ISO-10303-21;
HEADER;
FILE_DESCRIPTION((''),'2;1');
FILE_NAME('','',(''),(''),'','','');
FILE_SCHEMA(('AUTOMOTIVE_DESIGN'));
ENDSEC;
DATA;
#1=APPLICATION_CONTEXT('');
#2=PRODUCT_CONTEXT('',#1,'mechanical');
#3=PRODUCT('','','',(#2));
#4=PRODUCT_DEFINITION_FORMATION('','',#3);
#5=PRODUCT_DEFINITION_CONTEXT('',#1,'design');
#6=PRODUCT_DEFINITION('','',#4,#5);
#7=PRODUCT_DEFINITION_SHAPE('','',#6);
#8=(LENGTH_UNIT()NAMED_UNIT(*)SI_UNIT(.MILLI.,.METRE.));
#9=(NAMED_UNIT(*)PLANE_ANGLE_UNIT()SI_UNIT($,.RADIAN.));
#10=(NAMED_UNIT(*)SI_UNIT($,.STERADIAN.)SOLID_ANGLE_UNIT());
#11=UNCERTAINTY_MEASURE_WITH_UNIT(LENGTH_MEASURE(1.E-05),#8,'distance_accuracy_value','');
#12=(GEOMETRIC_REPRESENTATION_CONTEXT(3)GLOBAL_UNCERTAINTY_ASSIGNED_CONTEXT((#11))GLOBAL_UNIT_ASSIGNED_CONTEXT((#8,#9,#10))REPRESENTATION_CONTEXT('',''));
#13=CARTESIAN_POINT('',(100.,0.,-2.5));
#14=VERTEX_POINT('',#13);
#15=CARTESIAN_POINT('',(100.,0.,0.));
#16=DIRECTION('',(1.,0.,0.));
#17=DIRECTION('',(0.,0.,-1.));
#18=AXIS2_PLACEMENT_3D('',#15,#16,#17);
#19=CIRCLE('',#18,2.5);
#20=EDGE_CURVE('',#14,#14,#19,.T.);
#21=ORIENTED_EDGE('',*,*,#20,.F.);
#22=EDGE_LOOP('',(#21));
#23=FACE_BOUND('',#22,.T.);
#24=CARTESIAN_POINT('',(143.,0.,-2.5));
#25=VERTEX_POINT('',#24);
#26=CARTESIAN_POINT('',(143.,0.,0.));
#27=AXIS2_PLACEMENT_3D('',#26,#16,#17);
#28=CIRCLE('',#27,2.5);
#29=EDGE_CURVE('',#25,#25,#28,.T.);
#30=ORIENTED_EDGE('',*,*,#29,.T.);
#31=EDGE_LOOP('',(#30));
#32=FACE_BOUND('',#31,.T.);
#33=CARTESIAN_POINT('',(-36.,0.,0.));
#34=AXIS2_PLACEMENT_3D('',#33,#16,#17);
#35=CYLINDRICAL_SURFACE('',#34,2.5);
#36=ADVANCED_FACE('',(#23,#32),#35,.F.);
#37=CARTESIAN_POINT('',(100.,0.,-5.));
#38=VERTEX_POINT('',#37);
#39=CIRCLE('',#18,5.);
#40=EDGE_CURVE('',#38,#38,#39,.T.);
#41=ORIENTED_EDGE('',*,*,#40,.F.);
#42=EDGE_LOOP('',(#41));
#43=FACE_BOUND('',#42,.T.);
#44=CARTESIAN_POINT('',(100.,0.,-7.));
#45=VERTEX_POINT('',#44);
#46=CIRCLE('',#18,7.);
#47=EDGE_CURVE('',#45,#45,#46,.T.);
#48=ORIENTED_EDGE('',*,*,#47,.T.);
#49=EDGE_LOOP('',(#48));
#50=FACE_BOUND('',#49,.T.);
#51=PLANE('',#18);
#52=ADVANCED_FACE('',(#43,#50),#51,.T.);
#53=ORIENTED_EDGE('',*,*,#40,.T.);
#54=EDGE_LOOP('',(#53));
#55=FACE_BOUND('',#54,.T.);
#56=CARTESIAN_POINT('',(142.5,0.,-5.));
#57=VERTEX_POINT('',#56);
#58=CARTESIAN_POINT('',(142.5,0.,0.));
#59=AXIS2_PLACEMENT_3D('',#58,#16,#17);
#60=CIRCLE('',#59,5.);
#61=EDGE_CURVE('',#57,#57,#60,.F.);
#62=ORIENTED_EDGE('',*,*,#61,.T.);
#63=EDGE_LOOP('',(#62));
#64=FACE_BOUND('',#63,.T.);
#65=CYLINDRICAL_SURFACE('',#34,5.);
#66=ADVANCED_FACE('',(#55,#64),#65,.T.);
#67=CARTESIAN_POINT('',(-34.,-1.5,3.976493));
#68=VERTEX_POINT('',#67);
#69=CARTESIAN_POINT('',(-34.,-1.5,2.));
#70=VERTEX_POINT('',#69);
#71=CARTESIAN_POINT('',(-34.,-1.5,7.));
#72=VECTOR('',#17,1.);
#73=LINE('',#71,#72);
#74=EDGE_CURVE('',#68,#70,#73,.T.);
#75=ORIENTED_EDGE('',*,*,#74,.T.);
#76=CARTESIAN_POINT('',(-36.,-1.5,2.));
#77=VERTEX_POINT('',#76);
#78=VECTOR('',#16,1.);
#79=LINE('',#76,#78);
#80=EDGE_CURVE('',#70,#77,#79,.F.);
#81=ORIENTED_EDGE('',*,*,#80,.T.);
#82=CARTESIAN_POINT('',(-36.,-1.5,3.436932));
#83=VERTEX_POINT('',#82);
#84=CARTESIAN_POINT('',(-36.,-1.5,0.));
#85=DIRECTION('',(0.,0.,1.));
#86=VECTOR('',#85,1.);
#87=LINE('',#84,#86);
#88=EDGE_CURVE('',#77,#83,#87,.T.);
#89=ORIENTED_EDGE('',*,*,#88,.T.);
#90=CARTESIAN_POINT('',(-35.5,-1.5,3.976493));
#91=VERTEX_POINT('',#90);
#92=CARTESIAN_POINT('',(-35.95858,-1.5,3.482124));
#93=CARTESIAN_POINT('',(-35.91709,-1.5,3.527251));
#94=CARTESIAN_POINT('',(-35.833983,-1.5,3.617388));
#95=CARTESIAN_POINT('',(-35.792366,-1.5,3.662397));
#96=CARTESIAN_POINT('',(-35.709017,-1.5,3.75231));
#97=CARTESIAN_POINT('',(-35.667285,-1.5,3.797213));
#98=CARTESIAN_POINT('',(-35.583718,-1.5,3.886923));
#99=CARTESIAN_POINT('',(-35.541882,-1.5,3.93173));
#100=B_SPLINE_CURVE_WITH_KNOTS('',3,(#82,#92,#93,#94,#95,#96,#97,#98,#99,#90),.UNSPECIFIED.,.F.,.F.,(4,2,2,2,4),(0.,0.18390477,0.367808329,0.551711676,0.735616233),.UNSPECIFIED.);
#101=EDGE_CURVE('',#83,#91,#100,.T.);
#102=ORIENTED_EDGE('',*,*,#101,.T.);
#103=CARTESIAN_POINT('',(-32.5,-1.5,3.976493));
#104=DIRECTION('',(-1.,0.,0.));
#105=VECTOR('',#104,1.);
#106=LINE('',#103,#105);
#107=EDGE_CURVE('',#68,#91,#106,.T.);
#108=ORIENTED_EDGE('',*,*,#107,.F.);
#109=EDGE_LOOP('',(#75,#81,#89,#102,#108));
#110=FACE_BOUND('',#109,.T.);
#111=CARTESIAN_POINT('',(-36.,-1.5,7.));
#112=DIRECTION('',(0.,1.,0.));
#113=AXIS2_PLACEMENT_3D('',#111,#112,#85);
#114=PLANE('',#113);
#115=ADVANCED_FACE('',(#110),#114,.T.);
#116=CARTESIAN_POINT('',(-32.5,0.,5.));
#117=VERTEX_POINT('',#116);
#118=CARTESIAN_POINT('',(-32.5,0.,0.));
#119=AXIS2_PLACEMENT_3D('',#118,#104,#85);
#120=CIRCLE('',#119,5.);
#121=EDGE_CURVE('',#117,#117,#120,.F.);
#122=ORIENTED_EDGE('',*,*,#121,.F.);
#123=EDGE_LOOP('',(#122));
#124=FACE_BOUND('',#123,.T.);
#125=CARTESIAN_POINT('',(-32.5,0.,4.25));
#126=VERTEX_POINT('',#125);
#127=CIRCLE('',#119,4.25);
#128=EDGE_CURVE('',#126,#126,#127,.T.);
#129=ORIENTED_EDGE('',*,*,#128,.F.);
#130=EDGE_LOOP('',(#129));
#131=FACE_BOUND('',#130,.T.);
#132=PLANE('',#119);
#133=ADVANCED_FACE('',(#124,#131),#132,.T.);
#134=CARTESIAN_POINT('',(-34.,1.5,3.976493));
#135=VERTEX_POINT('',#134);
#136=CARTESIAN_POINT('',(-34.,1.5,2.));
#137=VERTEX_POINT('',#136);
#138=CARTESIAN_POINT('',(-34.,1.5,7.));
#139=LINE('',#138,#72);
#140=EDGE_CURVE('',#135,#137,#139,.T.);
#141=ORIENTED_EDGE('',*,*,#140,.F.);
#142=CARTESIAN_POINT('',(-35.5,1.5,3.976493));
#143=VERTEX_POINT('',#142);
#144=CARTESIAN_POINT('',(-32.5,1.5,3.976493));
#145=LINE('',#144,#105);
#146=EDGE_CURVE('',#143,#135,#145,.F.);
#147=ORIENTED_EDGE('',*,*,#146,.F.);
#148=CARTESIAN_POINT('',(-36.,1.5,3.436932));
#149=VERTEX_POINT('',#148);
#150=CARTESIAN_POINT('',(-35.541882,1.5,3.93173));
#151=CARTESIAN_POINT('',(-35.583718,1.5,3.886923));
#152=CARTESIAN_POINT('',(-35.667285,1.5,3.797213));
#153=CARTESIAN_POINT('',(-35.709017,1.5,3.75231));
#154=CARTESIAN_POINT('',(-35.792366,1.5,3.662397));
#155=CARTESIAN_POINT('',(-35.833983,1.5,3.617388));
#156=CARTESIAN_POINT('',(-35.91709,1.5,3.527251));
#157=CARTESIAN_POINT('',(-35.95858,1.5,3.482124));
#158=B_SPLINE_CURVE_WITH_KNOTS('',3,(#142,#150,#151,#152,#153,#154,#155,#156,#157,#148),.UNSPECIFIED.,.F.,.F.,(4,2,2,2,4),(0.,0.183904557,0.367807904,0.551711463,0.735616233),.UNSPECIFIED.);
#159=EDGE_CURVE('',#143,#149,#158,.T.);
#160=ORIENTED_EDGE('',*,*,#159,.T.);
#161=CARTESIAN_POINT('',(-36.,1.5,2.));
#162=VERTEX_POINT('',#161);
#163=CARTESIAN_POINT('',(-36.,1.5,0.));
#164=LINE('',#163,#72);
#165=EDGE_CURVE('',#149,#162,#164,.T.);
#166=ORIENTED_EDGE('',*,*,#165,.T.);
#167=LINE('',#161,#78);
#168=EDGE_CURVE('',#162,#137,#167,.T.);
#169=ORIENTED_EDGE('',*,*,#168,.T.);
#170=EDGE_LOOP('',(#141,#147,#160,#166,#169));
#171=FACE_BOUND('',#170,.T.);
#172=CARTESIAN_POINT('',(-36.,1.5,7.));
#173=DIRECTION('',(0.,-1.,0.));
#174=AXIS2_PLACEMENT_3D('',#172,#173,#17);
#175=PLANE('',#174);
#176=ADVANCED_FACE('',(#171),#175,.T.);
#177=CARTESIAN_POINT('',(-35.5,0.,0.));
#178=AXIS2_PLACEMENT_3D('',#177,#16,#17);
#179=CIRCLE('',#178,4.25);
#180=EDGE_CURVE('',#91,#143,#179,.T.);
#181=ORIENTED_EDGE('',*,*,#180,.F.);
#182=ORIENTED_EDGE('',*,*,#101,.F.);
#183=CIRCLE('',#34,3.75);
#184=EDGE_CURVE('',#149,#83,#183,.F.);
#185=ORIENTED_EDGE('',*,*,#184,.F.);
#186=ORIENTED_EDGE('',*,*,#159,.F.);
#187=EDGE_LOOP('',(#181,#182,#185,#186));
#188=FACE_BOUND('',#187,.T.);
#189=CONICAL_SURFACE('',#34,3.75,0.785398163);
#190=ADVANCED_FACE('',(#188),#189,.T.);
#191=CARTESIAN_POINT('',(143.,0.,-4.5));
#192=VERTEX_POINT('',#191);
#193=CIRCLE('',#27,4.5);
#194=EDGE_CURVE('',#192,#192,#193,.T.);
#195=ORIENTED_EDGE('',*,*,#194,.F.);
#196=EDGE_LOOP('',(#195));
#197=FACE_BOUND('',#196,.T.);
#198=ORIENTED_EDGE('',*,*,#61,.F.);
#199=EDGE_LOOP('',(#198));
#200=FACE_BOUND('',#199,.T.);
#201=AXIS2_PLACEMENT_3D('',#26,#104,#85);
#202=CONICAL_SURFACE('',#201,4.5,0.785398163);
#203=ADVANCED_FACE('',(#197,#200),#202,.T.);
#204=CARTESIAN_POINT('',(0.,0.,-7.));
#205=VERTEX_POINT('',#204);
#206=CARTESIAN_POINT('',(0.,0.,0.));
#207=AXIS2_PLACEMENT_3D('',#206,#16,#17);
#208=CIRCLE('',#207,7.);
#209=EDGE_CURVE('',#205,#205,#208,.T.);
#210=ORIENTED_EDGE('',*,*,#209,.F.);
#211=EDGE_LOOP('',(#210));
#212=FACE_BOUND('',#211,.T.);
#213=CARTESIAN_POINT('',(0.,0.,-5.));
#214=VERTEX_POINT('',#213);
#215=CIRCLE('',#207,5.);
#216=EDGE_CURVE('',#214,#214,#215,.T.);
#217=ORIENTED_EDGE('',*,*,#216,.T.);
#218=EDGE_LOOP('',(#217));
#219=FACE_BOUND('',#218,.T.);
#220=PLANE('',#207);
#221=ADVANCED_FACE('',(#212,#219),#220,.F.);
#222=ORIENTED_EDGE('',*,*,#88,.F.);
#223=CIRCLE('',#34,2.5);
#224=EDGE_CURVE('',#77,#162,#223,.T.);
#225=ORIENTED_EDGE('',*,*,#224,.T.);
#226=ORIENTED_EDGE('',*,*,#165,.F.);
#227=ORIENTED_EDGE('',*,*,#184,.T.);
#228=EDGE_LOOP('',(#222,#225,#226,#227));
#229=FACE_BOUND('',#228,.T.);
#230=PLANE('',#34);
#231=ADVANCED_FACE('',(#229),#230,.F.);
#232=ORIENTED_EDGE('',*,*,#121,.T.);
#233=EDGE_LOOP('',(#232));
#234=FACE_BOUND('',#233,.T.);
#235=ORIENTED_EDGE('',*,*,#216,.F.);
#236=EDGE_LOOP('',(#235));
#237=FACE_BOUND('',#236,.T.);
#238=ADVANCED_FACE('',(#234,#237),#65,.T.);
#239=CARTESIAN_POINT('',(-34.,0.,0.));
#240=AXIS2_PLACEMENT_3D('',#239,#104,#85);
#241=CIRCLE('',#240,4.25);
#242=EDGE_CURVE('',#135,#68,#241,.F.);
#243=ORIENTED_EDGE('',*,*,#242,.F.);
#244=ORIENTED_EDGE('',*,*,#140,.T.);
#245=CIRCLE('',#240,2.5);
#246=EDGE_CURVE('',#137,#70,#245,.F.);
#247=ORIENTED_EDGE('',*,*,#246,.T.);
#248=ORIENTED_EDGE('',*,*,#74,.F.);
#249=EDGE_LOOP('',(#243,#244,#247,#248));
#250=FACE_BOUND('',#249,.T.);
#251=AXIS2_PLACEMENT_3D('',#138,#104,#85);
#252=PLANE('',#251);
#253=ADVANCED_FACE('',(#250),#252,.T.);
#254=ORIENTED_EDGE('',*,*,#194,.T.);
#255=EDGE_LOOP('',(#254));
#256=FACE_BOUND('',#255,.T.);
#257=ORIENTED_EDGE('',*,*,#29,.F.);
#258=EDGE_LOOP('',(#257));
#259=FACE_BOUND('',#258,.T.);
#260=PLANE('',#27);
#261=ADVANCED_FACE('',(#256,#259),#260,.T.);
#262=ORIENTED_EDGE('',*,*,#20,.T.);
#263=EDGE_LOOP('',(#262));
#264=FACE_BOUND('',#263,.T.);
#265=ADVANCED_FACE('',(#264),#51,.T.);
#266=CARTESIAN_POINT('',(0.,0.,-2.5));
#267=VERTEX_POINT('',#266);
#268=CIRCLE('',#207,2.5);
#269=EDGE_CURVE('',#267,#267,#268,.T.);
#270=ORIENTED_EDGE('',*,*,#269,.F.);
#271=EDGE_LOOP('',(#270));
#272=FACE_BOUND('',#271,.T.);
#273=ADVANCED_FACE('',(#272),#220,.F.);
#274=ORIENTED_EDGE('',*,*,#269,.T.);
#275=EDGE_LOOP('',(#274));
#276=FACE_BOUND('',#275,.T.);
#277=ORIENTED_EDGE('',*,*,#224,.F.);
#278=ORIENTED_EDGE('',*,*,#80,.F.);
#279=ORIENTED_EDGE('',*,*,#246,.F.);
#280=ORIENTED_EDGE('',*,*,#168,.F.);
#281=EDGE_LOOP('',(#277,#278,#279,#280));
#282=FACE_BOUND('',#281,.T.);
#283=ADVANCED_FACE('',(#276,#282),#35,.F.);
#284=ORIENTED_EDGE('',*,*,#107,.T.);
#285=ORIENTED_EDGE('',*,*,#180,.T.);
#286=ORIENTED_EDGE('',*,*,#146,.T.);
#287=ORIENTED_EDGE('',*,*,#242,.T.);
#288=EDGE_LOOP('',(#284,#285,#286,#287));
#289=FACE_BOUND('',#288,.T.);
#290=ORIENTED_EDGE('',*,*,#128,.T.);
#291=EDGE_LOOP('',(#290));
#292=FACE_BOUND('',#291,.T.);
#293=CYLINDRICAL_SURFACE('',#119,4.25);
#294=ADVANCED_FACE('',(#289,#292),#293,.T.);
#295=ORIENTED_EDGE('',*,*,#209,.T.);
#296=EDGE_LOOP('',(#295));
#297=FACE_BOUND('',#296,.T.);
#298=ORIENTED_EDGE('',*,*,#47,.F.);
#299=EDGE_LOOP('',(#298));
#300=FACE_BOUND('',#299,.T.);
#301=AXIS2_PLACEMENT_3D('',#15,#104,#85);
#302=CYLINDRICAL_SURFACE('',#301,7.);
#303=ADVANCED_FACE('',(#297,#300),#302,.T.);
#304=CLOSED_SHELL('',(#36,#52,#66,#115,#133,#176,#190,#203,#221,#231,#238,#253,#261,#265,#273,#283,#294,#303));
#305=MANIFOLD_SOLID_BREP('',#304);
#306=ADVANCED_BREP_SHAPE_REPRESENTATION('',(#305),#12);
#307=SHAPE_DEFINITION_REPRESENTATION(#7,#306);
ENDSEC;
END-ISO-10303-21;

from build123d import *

# Parameters (mm, degrees)
ESQUISSE1_R             = 7
EXTRUSION1_DEPTH        = 100
ESQUISSE2_R             = 5
ESQUISSE2_R_2           = 2.5
EXTRUSION2_DEPTH        = 143
EXTRUSION2_DEPTH_BACK   = 36
ESQUISSE3_OUTSIDE_W     = 52.018
ESQUISSE3_OUTSIDE_H     = 52.018
ESQUISSE3_OUTSIDE_R     = 4.25
ENL_V_MAT_EXTRU_1_DEPTH = 3.5
ESQUISSE4_W             = 2
ESQUISSE4_H             = 3
ENL_V_MAT_EXTRU_2_DEPTH = 8
CHANFREIN1_SIZE         = 0.5


with BuildPart() as part:
    # Esquisse1 → Extrusion1 (new body)
    with BuildSketch(Plane(origin=(0, 0, 0), x_dir=(0, 0, -1), z_dir=(1, 0, 0))):
        Circle(ESQUISSE1_R)
    extrude(amount=EXTRUSION1_DEPTH)

    # Esquisse2 → Extrusion2 (add, two sides)
    with BuildSketch(Plane(origin=(0, 0, 0), x_dir=(0, 0, -1), z_dir=(1, 0, 0))) as extrusion2_sk:
        Circle(ESQUISSE2_R)
        Circle(ESQUISSE2_R_2, mode=Mode.SUBTRACT)
    extrude(amount=EXTRUSION2_DEPTH)
    extrude(extrusion2_sk.sketch, amount=-EXTRUSION2_DEPTH_BACK)

    # Esquisse3 outside → Enlèv. mat.-Extru.1 (cut)
    with BuildSketch(Plane.ZY.offset(36)):
        Rectangle(ESQUISSE3_OUTSIDE_W, ESQUISSE3_OUTSIDE_H)
        Circle(ESQUISSE3_OUTSIDE_R, mode=Mode.SUBTRACT)
    extrude(amount=-ENL_V_MAT_EXTRU_1_DEPTH, mode=Mode.SUBTRACT)

    # Esquisse4 → Enlèv. mat.-Extru.2 (cut, through all)
    with BuildSketch(Plane.XY):
        with Locations((-35, 0)):
            Rectangle(ESQUISSE4_W, ESQUISSE4_H)
    extrude(amount=ENL_V_MAT_EXTRU_2_DEPTH, mode=Mode.SUBTRACT)

    # Chanfrein1
    chanfrein1_edges = [part.edges().sort_by_distance(p)[0] for p in [
        (-36, 0, -4.25),
        (143, 0, 5),
    ]]
    chamfer(chanfrein1_edges, length=CHANFREIN1_SIZE)


solid = part.part
